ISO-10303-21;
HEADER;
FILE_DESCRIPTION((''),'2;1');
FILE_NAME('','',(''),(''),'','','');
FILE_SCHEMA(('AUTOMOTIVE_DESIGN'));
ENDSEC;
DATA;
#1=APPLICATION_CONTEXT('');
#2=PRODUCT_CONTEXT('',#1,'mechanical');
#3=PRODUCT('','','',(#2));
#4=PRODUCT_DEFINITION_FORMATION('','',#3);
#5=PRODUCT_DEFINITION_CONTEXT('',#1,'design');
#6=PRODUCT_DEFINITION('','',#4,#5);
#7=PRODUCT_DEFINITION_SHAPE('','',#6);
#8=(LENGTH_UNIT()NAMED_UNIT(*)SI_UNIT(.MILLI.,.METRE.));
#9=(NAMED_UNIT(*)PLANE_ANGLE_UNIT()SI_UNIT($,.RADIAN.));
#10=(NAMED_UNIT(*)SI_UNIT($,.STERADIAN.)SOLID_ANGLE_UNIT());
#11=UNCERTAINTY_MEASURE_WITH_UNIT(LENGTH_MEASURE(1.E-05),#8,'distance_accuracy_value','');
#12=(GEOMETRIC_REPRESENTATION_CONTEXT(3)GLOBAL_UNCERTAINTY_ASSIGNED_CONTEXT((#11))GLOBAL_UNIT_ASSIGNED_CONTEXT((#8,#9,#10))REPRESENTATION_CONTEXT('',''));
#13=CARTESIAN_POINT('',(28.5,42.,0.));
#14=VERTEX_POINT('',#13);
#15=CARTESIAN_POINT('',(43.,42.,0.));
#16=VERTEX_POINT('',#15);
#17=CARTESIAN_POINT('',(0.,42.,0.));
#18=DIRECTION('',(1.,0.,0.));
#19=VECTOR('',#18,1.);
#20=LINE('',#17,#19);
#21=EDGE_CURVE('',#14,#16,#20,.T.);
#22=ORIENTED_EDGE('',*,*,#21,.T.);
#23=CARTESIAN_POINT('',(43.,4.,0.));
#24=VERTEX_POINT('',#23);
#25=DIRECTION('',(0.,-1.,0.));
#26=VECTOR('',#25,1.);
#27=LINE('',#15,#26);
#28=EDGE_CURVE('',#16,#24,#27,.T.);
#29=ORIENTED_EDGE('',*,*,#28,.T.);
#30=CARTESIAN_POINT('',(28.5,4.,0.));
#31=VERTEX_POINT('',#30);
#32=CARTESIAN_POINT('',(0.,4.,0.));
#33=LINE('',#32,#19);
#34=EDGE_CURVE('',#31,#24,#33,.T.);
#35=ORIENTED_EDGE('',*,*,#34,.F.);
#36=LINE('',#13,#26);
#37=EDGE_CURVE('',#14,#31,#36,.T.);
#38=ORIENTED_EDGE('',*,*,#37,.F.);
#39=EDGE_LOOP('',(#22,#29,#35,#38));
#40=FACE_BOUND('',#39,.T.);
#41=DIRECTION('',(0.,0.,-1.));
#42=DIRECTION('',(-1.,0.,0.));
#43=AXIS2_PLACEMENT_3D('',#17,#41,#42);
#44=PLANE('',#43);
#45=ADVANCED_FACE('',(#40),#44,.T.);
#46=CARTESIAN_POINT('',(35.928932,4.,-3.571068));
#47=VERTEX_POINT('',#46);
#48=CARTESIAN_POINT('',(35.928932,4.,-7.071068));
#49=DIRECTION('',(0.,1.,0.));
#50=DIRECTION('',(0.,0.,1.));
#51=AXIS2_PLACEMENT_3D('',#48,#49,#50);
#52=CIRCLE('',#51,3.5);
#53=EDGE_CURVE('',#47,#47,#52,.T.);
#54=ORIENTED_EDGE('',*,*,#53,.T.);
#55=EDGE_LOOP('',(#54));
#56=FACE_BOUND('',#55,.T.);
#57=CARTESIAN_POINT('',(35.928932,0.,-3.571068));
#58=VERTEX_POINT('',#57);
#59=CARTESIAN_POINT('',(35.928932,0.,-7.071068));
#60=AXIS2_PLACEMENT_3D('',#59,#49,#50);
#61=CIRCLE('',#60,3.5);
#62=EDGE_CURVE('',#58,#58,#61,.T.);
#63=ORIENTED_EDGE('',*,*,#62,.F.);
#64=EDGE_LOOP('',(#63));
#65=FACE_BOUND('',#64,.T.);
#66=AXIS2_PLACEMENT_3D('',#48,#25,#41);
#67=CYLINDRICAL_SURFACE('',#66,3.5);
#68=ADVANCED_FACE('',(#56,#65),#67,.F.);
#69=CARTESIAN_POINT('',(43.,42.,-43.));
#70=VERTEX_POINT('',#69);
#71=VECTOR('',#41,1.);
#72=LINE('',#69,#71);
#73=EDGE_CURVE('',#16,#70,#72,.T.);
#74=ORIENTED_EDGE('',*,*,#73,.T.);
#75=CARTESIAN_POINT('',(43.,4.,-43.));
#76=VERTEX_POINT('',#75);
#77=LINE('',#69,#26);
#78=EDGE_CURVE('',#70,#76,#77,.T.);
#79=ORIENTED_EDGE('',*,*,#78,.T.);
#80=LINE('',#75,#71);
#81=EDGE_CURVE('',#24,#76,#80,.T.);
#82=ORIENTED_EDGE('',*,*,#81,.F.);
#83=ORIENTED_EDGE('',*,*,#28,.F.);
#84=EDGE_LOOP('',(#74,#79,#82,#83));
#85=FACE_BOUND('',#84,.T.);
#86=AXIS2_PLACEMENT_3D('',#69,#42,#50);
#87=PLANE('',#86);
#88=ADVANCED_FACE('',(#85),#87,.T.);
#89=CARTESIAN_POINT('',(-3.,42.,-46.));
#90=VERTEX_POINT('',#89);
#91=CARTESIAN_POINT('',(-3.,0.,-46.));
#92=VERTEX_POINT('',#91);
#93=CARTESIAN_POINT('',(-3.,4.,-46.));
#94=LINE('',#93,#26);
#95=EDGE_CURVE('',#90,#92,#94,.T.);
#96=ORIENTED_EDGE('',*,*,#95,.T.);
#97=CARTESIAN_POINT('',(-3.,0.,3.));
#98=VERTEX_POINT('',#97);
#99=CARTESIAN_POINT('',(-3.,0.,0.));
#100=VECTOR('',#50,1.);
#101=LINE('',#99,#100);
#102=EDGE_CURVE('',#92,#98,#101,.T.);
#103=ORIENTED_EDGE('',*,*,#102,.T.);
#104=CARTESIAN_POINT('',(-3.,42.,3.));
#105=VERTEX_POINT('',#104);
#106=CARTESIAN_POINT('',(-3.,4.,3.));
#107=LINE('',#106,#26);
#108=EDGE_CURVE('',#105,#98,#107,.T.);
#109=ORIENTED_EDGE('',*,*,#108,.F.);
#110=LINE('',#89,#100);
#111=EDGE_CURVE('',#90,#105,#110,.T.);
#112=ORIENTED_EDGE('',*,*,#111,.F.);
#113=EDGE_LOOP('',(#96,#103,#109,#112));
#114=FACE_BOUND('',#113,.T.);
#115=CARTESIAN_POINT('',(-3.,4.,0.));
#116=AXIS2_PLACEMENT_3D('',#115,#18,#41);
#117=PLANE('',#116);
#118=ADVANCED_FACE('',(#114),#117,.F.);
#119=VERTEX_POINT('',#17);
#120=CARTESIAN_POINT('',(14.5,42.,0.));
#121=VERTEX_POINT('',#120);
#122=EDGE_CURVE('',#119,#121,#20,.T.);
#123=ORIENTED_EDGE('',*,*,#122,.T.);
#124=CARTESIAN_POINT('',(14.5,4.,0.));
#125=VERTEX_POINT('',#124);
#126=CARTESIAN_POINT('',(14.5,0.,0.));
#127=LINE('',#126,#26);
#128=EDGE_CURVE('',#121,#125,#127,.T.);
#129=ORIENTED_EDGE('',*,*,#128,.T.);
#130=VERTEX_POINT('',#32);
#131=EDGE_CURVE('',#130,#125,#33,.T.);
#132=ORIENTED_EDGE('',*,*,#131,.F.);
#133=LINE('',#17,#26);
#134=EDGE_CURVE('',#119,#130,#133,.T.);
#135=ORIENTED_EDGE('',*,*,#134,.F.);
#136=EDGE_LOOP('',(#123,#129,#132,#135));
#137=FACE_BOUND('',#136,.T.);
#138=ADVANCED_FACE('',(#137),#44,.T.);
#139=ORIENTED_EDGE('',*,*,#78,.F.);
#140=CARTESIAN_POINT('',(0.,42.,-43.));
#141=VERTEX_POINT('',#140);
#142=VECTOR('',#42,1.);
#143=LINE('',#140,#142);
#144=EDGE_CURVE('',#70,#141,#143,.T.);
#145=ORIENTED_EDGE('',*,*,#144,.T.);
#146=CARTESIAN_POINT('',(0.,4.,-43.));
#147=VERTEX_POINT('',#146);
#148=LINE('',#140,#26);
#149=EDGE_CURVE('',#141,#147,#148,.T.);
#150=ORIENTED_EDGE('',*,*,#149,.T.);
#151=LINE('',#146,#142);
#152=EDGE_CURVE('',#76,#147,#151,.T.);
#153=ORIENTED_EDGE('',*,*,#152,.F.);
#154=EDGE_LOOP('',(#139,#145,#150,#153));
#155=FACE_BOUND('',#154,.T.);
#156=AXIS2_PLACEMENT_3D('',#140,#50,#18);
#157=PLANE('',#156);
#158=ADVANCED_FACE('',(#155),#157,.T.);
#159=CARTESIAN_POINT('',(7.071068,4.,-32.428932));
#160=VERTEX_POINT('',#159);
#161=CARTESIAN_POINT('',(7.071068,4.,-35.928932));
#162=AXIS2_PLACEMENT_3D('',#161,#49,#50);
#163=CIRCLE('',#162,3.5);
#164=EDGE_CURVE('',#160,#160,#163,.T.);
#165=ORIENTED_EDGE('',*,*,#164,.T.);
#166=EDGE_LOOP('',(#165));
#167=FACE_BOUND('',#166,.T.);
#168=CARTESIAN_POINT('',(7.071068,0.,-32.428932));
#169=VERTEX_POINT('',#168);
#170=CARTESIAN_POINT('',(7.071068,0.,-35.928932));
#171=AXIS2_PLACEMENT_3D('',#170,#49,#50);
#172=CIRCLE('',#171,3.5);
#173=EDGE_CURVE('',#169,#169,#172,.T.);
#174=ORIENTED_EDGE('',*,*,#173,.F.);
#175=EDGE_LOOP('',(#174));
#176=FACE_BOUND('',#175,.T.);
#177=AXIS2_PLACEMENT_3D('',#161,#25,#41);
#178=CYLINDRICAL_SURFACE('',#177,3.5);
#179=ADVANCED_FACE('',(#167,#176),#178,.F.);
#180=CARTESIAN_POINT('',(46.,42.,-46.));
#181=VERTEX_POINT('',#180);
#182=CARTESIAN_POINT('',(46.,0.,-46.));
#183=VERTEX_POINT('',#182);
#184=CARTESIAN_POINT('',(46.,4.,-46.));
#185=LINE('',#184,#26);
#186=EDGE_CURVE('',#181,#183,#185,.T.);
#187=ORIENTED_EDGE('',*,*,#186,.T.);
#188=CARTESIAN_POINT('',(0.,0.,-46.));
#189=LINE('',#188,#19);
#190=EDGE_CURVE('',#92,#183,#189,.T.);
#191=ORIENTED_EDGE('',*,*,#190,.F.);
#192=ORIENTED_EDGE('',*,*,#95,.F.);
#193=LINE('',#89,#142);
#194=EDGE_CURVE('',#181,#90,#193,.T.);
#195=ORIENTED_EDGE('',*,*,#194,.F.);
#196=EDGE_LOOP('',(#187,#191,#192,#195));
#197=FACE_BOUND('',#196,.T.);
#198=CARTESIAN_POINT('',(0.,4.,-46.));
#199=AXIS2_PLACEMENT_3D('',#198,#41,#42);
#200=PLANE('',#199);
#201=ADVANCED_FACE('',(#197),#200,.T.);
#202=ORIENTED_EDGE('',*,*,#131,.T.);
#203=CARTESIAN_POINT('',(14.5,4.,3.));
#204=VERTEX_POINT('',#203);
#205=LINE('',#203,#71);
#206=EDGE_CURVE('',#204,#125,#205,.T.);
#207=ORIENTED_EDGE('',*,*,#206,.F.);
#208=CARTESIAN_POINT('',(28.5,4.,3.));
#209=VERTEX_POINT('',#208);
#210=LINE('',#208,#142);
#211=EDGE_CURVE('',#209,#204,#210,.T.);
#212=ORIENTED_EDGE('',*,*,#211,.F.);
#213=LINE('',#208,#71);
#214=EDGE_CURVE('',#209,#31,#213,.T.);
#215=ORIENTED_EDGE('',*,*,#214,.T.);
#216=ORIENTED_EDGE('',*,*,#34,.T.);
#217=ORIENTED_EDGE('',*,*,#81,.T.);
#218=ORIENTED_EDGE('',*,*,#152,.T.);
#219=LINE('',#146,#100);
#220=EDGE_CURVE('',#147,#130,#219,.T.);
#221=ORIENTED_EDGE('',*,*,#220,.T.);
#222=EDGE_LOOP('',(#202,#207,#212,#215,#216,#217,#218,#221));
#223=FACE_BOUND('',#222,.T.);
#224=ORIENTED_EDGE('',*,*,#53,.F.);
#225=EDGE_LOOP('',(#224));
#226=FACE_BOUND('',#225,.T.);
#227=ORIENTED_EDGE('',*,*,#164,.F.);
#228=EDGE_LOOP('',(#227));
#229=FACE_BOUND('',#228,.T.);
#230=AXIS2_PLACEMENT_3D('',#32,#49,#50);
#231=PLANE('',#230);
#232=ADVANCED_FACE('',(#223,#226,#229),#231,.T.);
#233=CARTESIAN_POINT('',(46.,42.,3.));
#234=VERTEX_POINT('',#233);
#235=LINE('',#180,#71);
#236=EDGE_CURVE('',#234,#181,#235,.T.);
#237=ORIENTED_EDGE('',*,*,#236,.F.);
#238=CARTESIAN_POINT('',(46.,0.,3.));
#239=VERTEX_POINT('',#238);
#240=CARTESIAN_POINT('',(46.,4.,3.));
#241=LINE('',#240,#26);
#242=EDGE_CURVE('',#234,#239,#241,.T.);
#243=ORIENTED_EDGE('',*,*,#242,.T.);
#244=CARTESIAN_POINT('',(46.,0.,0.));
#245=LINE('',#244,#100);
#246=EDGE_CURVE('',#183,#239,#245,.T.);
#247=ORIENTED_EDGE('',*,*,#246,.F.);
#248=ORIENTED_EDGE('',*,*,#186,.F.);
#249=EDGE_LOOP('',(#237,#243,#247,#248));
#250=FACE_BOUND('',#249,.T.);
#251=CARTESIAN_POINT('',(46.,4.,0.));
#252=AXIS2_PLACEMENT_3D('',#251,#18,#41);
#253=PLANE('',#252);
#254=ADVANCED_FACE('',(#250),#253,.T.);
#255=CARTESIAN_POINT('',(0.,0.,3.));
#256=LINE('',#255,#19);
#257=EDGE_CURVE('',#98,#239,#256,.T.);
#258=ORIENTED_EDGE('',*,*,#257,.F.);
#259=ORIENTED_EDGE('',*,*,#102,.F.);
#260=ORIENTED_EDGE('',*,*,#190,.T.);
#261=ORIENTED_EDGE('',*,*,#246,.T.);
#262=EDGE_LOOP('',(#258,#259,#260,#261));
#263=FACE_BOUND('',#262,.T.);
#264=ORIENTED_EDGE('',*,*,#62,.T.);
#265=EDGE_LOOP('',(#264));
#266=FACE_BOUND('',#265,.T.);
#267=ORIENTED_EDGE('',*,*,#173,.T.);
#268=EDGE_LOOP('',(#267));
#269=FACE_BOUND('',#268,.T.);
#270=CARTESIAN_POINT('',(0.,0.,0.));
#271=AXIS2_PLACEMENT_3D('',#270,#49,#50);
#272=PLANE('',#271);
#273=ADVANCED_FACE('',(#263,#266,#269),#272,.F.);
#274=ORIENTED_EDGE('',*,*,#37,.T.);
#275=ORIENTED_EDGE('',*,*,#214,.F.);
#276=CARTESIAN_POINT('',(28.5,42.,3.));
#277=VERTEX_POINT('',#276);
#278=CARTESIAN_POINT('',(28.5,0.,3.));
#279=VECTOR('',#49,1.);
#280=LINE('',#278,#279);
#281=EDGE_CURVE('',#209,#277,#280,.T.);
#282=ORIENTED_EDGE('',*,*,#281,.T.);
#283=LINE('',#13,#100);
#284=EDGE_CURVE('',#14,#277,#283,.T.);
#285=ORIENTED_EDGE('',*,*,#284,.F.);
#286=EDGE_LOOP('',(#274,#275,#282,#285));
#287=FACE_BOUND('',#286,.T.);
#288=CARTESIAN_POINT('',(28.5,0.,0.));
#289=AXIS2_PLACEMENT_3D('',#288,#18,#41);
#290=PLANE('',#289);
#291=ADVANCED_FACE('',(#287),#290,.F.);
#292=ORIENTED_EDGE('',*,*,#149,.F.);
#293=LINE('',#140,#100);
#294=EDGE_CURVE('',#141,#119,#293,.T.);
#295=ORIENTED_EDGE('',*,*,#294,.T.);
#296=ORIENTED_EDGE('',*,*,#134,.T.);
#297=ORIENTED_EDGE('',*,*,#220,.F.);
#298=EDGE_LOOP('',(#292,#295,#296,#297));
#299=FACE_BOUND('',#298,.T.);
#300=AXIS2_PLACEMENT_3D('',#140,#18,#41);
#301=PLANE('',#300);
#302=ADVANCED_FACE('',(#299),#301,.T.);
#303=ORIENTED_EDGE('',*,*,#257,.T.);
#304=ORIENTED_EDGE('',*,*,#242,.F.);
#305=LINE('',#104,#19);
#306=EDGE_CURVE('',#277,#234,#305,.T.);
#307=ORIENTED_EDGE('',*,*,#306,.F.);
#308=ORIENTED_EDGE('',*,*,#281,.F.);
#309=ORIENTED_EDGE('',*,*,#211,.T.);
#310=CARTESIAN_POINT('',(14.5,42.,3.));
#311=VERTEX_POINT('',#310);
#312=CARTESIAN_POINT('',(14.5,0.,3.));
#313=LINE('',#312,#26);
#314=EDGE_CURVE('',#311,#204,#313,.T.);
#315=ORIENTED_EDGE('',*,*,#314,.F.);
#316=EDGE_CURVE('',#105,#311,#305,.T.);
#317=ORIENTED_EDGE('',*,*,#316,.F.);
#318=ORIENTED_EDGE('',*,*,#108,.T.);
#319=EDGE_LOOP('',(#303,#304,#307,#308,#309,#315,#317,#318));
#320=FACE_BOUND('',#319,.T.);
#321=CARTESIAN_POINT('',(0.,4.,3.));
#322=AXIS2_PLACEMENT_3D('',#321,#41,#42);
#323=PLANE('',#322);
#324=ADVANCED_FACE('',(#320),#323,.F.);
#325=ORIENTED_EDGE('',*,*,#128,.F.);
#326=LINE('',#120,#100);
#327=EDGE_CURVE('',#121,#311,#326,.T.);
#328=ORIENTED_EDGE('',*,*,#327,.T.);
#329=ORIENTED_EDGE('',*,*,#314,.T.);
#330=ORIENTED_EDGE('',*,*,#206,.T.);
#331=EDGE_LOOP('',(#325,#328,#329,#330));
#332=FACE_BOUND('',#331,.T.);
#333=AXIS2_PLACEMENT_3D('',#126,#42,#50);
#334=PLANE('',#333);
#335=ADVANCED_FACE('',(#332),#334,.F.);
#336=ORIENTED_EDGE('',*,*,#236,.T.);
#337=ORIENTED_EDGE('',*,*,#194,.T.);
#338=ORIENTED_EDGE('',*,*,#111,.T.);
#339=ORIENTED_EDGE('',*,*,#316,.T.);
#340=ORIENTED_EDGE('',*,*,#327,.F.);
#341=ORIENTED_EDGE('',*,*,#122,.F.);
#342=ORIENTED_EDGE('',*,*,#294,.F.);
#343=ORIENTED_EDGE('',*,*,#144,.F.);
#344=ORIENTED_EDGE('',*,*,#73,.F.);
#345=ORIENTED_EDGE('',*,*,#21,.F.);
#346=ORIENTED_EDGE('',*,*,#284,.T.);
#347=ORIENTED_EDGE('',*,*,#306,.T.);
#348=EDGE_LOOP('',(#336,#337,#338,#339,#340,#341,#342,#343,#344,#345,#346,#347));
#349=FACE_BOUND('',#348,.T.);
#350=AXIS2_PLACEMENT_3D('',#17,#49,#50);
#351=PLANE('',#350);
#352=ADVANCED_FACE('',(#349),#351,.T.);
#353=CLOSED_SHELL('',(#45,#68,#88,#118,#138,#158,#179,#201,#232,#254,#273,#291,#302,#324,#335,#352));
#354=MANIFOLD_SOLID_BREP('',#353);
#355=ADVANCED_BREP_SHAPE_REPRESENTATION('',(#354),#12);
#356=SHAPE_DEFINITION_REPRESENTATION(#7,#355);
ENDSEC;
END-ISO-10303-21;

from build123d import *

# Parameters (mm, degrees)
ESQUISSE1_W             = 49
ESQUISSE1_H             = 49
ESQUISSE1_W_2           = 43
ESQUISSE1_H_2           = 43
ESQUISSE1_R             = 3.5
BOSS_EXTRU_1_DEPTH      = 4
ESQUISSE2_W             = 49
ESQUISSE2_H             = 49
ESQUISSE2_W_2           = 43
ESQUISSE2_H_2           = 43
BOSS_EXTRU_2_DEPTH      = 38
ESQUISSE3_W             = 14
ESQUISSE3_H             = 42
ENL_V_MAT_EXTRU_1_DEPTH = 3
ESQUISSE4_W             = 14
ESQUISSE4_H             = 4
BOSS_EXTRU_3_DEPTH      = 3


with BuildPart() as part:
    # Esquisse1 → Boss.-Extru.1 (new body)
    with BuildSketch(Plane(origin=(0, 0, 0), x_dir=(1, 0, 0), z_dir=(0, 1, 0))):
        with Locations((21.5, 21.5)):
            Rectangle(ESQUISSE1_W, ESQUISSE1_H)
        with Locations((21.5, 21.5)):
            Rectangle(ESQUISSE1_W_2, ESQUISSE1_H_2, mode=Mode.SUBTRACT)
        with Locations((21.5, 21.5)):
            Rectangle(ESQUISSE1_W_2, ESQUISSE1_H_2)
        with Locations(Location((35.928932188, 7.071067812, 0), (0, 0, 270))):
            Circle(ESQUISSE1_R, mode=Mode.SUBTRACT)
        with Locations(Location((7.071067812, 35.928932188, 0), (0, 0, 270))):
            Circle(ESQUISSE1_R, mode=Mode.SUBTRACT)
    extrude(amount=BOSS_EXTRU_1_DEPTH)

    # Esquisse2 → Boss.-Extru.2 (add)
    with BuildSketch(Plane(origin=(0, 4, 0), x_dir=(1, 0, 0), z_dir=(0, 1, 0))):
        with Locations((21.5, 21.5)):
            Rectangle(ESQUISSE2_W, ESQUISSE2_H)
        with Locations((21.5, 21.5)):
            Rectangle(ESQUISSE2_W_2, ESQUISSE2_H_2, mode=Mode.SUBTRACT)
    extrude(amount=BOSS_EXTRU_2_DEPTH)

    # Esquisse3 → Enlèv. mat.-Extru.1 (cut)
    with BuildSketch(Plane.XY.offset(3)):
        with Locations((21.5, 21)):
            Rectangle(ESQUISSE3_W, ESQUISSE3_H)
    extrude(amount=-ENL_V_MAT_EXTRU_1_DEPTH, mode=Mode.SUBTRACT)

    # Esquisse4 → Boss.-Extru.3 (add)
    with BuildSketch(Plane.XY):
        with Locations((21.5, 2)):
            Rectangle(ESQUISSE4_W, ESQUISSE4_H)
    extrude(amount=BOSS_EXTRU_3_DEPTH)


solid = part.part
